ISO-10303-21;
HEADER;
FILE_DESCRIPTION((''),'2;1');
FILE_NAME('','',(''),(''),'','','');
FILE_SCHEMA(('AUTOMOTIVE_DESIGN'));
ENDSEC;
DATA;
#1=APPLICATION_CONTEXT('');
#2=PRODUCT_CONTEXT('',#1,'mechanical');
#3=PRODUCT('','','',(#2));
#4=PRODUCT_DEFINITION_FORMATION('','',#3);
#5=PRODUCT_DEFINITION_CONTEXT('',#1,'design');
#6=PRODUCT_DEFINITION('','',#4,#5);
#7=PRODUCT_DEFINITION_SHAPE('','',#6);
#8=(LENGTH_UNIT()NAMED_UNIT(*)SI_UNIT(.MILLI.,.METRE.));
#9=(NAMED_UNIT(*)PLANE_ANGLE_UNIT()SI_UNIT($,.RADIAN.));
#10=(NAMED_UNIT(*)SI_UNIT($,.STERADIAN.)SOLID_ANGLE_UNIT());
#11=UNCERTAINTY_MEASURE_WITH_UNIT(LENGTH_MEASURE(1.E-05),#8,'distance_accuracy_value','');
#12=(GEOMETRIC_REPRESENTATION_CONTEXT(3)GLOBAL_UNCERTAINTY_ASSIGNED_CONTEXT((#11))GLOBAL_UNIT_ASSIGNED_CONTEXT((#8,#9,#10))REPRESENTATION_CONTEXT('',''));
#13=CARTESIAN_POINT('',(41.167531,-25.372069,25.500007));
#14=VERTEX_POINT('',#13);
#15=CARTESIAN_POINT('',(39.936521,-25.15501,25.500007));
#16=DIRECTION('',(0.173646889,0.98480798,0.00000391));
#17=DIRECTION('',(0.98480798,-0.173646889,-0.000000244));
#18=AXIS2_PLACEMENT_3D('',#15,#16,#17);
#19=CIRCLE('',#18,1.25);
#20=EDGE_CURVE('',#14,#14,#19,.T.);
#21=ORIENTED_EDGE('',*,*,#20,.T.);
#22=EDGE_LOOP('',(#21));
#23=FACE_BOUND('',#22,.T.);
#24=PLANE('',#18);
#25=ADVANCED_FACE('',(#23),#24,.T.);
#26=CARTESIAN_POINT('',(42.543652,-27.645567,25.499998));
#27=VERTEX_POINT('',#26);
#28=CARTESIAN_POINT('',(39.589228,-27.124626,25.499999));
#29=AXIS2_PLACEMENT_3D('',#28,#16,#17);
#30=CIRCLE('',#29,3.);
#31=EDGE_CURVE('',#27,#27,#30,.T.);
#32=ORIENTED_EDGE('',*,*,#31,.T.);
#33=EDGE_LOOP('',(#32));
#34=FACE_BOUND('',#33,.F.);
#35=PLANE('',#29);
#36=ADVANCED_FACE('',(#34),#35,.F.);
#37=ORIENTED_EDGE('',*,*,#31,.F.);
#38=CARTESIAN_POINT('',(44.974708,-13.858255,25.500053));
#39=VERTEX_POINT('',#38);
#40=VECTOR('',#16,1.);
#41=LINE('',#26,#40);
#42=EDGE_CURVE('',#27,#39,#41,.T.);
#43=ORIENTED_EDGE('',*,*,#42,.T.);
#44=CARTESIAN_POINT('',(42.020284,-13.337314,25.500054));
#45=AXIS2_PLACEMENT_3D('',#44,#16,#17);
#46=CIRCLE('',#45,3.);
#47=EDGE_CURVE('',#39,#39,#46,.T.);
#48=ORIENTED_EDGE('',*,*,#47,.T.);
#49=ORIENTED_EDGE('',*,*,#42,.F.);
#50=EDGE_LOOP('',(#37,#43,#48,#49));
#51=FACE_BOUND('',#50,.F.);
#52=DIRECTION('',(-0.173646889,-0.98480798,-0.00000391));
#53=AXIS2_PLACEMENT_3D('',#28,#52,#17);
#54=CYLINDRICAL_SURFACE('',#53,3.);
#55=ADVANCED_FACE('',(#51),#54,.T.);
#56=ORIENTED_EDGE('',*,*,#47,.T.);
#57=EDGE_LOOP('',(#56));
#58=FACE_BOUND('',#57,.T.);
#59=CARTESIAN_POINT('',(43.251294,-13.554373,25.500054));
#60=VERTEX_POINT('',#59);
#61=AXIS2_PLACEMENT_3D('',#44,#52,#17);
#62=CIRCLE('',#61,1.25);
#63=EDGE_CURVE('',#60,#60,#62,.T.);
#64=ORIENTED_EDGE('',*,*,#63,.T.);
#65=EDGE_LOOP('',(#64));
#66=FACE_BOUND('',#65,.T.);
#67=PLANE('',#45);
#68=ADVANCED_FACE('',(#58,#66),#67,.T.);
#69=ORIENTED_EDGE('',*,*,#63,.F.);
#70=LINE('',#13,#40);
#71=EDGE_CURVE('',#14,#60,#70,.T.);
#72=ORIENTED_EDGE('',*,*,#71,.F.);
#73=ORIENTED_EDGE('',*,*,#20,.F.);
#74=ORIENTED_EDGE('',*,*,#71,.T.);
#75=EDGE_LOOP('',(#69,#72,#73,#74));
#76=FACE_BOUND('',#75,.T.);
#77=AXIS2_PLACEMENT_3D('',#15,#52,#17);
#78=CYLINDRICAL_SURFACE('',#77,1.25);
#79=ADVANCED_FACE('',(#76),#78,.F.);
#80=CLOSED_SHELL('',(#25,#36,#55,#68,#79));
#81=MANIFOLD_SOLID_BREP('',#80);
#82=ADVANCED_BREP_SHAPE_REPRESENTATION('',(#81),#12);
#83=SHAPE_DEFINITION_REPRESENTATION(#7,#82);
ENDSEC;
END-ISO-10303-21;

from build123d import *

# Parameters (mm, degrees)
CYLINDER037_R               = 1.25
CYLINDER037_DEPTH           = 14
CYLINDER037_ROLL_ANGLE      = -89.999776
CYLINDER037_PITCH_ANGLE     = 1.4e-05
CYLINDER037_PLACEMENT_ANGLE = -9.999925
CYLINDER029_R               = 3
CYLINDER029_DEPTH           = 14
CYLINDER029_ROLL_ANGLE      = -89.999776
CYLINDER029_PITCH_ANGLE     = 1.4e-05
CYLINDER029_PLACEMENT_ANGLE = -9.999925


with BuildPart() as cylinder037:
    # Cylinder037 → Cylinder037 (new body)
    with BuildSketch(Plane.XY):
        Circle(CYLINDER037_R)
    extrude(amount=CYLINDER037_DEPTH)


with BuildPart() as cylinder037_1:
    # Cylinder037 roll: moved
    add(cylinder037.part.rotate(Axis((0, 0, 0), (1, 0, 0)), CYLINDER037_ROLL_ANGLE))


with BuildPart() as cylinder037_2:
    # Cylinder037 pitch: moved
    add(cylinder037_1.part.rotate(Axis((0, 0, 0), (0, 1, 0)), CYLINDER037_PITCH_ANGLE))


with BuildPart() as cylinder037_3:
    # Cylinder037 placement: moved
    add(cylinder037_2.part.moved(Location((39.936521, -25.15501, 25.500007))).rotate(Axis((39.936521, -25.15501, 25.500007), (0, 0, 1)), CYLINDER037_PLACEMENT_ANGLE))


with BuildPart() as cut034:
    # Cylinder029 → Cylinder029 (new body)
    with BuildSketch(Plane.XY):
        Circle(CYLINDER029_R)
    extrude(amount=CYLINDER029_DEPTH)


with BuildPart() as cut034_1:
    # Cylinder029 roll: moved
    add(cut034.part.rotate(Axis((0, 0, 0), (1, 0, 0)), CYLINDER029_ROLL_ANGLE))


with BuildPart() as cut034_2:
    # Cylinder029 pitch: moved
    add(cut034_1.part.rotate(Axis((0, 0, 0), (0, 1, 0)), CYLINDER029_PITCH_ANGLE))


with BuildPart() as cut034_3:
    # Cylinder029 placement: moved
    add(cut034_2.part.moved(Location((39.589228, -27.124626, 25.499999))).rotate(Axis((39.589228, -27.124626, 25.499999), (0, 0, 1)), CYLINDER029_PLACEMENT_ANGLE))

    # Cut034: cut Cylinder037
    add(cylinder037_3.part, mode=Mode.SUBTRACT)


solid = cut034_3.part
